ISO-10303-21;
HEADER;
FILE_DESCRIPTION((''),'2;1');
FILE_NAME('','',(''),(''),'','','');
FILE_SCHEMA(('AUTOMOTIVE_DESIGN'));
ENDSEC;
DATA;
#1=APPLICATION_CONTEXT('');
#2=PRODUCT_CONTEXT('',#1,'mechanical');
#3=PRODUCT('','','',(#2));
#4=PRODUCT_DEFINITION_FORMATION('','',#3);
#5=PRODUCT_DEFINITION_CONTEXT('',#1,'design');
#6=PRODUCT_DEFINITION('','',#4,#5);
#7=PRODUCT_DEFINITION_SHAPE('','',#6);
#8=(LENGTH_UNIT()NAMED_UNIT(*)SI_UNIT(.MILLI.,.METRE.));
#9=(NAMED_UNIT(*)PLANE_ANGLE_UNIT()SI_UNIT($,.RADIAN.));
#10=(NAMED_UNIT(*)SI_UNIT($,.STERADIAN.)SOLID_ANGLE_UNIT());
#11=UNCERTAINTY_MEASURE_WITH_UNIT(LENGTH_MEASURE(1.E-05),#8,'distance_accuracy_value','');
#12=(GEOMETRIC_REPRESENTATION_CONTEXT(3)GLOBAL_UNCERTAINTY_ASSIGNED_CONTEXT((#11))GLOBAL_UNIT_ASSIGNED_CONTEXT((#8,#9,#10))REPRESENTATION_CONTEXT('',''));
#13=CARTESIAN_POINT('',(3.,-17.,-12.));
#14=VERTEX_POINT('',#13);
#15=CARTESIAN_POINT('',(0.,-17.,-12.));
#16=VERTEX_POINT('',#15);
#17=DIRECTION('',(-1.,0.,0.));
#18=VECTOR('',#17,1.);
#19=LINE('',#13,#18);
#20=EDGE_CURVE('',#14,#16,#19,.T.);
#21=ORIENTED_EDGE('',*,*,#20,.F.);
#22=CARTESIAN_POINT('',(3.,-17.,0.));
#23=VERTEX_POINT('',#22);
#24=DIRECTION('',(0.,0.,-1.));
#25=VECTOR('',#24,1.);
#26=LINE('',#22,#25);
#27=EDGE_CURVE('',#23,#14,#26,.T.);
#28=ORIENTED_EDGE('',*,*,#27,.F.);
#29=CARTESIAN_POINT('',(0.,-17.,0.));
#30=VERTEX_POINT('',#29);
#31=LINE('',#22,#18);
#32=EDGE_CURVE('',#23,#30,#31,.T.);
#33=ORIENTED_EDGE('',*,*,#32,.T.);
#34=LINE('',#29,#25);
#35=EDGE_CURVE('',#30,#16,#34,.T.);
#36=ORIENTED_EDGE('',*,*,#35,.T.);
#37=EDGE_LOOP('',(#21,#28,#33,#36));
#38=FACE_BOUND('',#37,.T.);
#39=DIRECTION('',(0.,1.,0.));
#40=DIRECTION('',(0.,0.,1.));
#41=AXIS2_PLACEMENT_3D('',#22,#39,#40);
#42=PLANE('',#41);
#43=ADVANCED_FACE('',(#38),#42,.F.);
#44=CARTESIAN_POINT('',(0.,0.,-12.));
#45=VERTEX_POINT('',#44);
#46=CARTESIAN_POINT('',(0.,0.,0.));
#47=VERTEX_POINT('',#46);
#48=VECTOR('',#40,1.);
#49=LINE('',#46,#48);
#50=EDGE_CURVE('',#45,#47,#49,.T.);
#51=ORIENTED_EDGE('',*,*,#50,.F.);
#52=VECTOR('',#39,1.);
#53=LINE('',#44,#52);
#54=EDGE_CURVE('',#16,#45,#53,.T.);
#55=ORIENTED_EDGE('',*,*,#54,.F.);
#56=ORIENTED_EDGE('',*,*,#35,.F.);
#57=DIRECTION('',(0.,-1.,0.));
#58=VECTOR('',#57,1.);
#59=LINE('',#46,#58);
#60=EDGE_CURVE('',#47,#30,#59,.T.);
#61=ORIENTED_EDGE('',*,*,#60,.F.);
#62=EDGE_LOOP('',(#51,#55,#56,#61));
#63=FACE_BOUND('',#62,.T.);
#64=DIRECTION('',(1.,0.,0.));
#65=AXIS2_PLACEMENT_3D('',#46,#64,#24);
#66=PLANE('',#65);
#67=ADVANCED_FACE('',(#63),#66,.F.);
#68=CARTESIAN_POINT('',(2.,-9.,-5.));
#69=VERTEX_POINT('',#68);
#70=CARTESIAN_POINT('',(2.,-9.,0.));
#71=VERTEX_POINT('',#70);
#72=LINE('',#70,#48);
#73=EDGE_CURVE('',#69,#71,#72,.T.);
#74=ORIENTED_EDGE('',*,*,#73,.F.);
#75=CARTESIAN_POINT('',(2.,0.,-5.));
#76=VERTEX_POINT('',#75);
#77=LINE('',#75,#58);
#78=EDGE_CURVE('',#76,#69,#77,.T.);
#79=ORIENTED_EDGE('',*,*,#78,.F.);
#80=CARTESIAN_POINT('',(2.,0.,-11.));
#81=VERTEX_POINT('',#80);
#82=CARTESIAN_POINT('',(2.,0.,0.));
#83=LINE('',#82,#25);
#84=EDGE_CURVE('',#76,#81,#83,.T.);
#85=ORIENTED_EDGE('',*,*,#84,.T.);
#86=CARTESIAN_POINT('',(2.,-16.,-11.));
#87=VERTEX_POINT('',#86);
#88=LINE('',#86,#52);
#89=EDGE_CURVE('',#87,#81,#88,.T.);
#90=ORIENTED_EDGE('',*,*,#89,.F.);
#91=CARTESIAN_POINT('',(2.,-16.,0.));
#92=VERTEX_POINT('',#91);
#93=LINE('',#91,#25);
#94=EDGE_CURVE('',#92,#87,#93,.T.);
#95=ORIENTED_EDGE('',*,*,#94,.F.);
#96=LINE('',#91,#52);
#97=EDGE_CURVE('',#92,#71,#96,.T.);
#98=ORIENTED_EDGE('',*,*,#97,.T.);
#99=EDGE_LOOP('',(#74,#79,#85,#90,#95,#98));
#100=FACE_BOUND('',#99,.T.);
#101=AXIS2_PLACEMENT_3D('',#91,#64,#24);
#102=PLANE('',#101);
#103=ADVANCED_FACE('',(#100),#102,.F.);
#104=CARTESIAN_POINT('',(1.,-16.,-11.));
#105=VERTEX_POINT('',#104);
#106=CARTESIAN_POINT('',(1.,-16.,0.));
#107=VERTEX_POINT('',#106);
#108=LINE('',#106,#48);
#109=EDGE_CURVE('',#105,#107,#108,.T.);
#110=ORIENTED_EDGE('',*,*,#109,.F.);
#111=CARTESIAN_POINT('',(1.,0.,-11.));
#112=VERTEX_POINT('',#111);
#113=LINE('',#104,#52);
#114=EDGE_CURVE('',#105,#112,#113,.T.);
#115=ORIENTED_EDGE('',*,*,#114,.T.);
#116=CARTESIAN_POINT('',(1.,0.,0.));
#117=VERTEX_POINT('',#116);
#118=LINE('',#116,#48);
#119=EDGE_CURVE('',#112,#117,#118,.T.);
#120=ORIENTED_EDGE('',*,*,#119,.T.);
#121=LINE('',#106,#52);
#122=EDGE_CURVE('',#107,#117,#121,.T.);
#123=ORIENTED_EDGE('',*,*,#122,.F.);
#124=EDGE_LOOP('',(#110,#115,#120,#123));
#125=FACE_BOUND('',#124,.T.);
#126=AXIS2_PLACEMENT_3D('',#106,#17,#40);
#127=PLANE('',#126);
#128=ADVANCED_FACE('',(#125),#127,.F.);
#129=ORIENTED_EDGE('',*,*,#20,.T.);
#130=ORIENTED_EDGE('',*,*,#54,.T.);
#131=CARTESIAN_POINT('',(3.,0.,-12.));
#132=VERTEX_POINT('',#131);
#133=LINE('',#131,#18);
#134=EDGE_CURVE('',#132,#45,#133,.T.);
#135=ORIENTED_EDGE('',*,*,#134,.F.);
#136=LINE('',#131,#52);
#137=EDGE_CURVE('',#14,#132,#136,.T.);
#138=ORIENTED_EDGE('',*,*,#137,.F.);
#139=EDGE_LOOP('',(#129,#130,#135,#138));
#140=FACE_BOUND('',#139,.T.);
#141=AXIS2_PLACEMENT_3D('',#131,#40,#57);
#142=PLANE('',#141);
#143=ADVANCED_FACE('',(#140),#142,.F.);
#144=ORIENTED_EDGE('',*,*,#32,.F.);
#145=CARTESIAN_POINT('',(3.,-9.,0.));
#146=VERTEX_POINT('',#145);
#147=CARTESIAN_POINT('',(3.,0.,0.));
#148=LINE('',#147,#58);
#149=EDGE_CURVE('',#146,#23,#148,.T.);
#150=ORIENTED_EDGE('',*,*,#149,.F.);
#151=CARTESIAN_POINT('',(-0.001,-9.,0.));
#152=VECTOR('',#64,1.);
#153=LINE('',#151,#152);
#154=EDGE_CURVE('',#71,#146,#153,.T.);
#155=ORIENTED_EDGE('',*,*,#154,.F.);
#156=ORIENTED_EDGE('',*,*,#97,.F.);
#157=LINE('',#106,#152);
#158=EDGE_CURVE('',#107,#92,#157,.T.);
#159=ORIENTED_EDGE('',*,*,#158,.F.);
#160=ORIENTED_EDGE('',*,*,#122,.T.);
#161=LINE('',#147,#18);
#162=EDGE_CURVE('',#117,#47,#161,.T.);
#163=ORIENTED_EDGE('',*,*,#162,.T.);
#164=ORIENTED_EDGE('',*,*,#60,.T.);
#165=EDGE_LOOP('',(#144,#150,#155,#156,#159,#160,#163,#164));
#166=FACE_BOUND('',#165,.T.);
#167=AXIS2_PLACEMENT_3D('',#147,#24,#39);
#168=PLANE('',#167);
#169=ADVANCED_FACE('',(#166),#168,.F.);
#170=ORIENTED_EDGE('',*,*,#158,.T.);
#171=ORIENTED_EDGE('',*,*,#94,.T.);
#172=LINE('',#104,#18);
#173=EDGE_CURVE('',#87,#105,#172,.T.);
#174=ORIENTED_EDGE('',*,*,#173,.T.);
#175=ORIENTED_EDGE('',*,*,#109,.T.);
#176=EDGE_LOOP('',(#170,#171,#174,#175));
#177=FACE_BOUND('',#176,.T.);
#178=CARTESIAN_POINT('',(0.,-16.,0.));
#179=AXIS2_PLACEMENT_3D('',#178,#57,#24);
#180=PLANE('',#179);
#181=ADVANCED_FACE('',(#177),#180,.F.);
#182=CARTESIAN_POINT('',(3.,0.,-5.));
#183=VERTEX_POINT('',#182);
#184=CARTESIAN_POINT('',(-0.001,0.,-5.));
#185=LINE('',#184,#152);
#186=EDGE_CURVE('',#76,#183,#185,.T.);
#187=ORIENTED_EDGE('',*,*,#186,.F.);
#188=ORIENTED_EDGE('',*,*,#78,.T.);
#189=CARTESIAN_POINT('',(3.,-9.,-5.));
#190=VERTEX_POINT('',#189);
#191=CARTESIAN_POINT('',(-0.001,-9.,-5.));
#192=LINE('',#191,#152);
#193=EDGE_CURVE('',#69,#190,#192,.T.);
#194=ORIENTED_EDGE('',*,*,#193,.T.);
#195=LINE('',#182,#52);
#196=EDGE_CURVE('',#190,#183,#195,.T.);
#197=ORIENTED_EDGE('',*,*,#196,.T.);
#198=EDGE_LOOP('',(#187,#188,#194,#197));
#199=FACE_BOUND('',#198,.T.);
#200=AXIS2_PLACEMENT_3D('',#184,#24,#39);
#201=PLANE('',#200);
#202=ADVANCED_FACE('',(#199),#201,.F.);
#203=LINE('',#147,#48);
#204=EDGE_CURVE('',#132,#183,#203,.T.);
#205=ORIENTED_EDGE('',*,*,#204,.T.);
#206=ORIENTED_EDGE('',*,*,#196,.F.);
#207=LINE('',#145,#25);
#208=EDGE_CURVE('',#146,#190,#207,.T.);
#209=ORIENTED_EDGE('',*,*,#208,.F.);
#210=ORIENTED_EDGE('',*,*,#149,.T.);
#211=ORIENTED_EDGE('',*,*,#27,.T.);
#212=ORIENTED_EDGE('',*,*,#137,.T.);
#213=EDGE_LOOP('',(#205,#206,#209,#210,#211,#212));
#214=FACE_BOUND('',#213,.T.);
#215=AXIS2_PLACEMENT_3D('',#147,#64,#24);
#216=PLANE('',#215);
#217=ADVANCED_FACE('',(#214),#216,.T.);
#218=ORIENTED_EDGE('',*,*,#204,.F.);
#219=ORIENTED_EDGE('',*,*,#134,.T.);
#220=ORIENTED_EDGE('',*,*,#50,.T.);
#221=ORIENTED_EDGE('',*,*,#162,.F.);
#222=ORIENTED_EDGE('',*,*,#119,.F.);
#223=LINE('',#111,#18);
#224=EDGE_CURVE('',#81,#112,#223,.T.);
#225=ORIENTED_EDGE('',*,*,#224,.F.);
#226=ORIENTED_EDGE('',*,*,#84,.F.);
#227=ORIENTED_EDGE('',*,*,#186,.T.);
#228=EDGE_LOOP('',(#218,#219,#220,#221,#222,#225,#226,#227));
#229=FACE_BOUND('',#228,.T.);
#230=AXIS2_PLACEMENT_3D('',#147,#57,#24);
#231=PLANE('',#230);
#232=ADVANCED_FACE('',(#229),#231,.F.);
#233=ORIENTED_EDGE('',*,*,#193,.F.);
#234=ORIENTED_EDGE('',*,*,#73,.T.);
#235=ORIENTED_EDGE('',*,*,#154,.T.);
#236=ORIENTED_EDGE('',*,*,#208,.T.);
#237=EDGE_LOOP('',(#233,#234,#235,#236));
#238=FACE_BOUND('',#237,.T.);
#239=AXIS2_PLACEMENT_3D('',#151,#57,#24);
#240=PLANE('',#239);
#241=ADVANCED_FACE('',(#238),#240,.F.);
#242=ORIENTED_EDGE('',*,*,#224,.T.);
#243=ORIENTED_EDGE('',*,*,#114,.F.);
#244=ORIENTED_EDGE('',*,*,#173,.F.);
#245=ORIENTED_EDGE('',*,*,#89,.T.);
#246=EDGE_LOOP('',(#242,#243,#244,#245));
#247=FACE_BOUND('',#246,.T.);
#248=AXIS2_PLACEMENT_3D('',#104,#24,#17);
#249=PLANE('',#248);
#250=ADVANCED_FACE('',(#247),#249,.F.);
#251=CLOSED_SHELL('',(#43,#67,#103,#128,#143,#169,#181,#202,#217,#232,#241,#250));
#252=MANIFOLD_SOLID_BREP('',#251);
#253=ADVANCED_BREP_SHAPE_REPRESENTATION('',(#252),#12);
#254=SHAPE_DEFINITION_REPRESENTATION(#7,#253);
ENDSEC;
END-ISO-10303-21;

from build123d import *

# Parameters (mm, degrees)
SKETCH1_W           = 12
SKETCH1_H           = 17
BOSS_EXTRUDE1_DEPTH = 3
SKETCH3_W           = 1
SKETCH3_H           = 11
CUT_EXTRUDE1_DEPTH  = 16
CUT_EXTRUDE2_REACH  = 23.024
SKETCH2_W           = 5
SKETCH2_H           = 9


with BuildPart() as part:
    # Sketch1 → Boss-Extrude1 (new body)
    with BuildSketch(Plane(origin=(0, 0, 0), x_dir=(0, 0, -1), z_dir=(1, 0, 0))):
        with Locations((6, -8.5)):
            Rectangle(SKETCH1_W, SKETCH1_H)
    extrude(amount=BOSS_EXTRUDE1_DEPTH)

    # Sketch3 → Cut-Extrude1 (cut)
    with BuildSketch(Plane(origin=(0, 0, 0), x_dir=(1, 0, 0), z_dir=(0, 1, 0))):
        with Locations((1.5, 5.5)):
            Rectangle(SKETCH3_W, SKETCH3_H)
    extrude(amount=-CUT_EXTRUDE1_DEPTH, mode=Mode.SUBTRACT)

    # Sketch2 → Cut-Extrude2 (cut, up to next)
    with BuildSketch(Plane(origin=(3, 0, 0), x_dir=(0, 0, -1), z_dir=(1, 0, 0)), mode=Mode.PRIVATE) as cut_extrude2_sk1:
        with Locations((2.5, -4.5)):
            Rectangle(SKETCH2_W, SKETCH2_H)
    cut_extrude2_tool1 = extrude(cut_extrude2_sk1.sketch, amount=-CUT_EXTRUDE2_REACH, mode=Mode.PRIVATE) & part.part
    add(cut_extrude2_tool1.solids().sort_by_distance((3, -4.5, -2.5))[0], mode=Mode.SUBTRACT)


solid = part.part
